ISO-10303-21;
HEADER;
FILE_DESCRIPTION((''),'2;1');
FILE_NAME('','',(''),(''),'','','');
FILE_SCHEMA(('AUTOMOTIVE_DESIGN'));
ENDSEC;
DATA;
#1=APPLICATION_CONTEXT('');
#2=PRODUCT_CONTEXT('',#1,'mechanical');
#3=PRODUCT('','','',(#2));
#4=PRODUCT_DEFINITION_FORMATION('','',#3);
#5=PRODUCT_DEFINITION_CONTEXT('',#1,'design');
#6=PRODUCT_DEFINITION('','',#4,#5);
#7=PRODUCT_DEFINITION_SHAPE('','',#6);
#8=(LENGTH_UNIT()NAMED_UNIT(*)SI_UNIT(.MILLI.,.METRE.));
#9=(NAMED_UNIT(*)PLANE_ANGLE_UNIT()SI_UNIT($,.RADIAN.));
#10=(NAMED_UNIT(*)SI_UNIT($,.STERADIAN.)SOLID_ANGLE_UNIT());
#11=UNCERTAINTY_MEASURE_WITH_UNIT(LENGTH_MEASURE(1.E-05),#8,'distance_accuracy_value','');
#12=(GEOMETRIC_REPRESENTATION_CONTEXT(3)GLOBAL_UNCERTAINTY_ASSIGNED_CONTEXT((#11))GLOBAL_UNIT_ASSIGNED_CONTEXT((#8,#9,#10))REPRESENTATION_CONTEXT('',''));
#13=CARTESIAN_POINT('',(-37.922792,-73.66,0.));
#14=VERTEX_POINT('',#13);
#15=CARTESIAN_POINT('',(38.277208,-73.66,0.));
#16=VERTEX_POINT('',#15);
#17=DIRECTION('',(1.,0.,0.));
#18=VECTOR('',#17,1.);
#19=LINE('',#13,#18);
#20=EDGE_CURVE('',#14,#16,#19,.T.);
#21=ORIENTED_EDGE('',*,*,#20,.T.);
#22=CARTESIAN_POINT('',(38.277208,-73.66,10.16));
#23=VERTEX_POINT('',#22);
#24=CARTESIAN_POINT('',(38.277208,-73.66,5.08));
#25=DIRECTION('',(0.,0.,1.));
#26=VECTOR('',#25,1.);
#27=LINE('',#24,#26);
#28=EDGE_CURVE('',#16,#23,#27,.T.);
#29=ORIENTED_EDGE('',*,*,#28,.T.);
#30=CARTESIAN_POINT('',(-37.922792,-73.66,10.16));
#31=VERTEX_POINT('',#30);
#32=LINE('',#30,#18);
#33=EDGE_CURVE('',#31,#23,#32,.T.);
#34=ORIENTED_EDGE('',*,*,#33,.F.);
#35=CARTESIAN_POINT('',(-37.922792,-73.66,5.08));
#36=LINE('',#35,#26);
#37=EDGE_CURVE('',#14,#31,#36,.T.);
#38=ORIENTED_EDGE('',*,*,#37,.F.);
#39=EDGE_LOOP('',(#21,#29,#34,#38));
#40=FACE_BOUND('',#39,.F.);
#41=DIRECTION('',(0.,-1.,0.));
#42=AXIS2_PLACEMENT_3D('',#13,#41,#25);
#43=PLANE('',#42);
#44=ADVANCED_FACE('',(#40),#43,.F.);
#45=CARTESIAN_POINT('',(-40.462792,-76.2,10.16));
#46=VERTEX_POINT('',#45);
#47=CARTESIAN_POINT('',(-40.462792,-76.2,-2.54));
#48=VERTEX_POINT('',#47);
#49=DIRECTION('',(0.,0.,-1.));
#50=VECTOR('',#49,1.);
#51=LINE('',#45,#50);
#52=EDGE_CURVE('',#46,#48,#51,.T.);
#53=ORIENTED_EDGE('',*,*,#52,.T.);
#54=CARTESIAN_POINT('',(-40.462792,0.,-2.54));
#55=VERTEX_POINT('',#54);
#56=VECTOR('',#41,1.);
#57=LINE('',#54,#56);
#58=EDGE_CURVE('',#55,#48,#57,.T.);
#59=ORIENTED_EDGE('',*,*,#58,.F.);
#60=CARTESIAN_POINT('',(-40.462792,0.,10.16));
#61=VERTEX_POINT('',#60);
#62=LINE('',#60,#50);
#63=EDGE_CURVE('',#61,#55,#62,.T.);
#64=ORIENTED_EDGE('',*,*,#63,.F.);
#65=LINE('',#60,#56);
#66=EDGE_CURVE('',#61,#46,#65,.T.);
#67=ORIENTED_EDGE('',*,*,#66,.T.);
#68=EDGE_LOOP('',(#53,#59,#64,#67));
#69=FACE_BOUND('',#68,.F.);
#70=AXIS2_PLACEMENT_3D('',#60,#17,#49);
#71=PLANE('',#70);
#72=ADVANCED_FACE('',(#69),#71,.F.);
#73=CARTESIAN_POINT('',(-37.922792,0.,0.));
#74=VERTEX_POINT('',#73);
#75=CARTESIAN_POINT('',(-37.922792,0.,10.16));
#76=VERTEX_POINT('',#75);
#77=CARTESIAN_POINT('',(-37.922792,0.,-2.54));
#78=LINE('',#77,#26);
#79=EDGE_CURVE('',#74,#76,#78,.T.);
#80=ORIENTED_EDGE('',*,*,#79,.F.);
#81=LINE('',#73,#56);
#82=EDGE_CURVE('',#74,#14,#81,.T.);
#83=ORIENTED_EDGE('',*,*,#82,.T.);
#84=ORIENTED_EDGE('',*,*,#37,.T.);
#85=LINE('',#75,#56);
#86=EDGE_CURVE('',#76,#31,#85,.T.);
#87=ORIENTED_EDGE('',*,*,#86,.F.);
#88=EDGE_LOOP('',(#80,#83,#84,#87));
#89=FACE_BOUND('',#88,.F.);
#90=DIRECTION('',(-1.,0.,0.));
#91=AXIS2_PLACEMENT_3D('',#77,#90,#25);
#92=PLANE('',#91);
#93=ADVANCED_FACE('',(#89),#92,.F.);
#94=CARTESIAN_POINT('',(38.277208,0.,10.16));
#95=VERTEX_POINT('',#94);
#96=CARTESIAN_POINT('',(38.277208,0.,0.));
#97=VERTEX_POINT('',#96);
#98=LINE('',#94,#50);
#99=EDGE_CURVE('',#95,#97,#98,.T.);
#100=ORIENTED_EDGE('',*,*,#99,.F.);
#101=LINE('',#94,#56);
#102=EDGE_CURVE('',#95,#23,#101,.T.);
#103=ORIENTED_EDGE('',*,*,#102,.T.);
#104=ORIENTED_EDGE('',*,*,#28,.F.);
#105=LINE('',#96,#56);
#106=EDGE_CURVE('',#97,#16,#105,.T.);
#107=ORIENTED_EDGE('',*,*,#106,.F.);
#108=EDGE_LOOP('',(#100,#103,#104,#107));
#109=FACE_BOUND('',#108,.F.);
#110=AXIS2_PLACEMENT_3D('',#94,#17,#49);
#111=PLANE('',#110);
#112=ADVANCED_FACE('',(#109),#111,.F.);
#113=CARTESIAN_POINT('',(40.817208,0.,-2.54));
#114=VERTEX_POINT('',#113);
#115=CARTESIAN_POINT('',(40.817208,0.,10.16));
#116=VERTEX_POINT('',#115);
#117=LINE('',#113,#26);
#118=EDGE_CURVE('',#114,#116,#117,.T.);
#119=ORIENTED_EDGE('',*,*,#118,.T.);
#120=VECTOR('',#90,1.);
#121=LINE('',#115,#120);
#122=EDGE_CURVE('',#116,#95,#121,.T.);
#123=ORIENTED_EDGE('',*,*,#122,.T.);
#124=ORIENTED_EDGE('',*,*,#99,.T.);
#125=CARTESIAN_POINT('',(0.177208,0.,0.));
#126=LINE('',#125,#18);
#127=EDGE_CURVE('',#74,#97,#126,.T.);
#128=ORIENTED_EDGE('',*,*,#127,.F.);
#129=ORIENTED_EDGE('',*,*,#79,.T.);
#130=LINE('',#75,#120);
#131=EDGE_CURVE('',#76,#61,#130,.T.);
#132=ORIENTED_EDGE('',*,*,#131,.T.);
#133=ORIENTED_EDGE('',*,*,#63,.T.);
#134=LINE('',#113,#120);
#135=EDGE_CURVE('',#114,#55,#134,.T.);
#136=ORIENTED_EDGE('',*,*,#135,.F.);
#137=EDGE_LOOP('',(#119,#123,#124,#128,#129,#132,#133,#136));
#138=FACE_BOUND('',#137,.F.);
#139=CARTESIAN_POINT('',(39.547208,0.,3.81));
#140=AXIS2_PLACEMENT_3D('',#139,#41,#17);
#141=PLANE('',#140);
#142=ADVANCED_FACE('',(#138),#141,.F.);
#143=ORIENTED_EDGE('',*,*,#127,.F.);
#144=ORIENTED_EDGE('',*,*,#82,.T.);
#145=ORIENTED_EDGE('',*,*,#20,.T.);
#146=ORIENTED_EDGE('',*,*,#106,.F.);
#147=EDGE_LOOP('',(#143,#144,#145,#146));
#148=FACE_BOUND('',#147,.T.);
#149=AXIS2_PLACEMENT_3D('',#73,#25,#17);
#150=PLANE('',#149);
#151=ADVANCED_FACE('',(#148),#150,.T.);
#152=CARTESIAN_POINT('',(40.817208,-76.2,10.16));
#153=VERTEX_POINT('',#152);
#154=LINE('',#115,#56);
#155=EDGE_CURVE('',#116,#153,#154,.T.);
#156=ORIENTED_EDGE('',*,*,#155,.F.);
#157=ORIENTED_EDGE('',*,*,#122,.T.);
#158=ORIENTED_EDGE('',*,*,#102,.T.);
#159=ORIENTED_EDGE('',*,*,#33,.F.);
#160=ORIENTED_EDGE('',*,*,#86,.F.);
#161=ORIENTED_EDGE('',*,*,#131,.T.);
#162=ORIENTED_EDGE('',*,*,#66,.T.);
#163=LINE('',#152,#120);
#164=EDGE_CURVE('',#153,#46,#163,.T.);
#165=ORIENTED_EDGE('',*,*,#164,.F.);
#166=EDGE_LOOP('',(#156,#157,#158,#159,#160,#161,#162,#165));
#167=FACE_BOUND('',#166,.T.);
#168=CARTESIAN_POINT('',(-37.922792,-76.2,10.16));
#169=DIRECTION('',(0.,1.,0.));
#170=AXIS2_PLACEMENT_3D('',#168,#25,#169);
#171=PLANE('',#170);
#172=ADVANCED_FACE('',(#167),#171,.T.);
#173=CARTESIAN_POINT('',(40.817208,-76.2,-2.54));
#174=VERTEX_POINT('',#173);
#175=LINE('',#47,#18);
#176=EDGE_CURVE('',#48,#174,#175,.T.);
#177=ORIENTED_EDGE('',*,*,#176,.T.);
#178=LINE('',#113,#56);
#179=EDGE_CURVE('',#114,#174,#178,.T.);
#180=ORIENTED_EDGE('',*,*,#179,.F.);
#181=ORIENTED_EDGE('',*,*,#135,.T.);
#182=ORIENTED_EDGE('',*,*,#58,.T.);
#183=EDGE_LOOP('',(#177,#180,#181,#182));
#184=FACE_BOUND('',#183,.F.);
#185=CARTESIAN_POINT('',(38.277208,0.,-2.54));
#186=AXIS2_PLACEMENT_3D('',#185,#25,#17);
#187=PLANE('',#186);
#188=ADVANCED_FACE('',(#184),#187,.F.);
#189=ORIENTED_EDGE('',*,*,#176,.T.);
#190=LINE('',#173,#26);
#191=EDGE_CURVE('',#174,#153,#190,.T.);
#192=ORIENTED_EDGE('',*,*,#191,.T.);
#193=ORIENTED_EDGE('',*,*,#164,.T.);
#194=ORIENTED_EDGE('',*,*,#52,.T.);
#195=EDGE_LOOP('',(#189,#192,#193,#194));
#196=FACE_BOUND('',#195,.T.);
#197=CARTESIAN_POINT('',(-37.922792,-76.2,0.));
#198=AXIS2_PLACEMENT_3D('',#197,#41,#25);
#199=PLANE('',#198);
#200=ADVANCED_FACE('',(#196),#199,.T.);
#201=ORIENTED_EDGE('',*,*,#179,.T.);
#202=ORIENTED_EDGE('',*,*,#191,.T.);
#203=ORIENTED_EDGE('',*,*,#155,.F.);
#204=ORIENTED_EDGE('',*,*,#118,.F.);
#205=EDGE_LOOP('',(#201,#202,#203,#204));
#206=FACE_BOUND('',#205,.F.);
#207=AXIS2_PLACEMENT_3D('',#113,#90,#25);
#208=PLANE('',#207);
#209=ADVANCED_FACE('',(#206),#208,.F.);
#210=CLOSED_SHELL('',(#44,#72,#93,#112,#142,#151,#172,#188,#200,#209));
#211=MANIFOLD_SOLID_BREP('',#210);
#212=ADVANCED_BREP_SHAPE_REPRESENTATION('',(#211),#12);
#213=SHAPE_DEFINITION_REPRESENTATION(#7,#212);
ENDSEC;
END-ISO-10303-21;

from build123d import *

# Parameters (mm, degrees)
F0_W     = 76.2
F0_H     = 2.54
F1_DEPTH = 76.2
F2_DEPTH = 76.2
F3_DEPTH = 76.2
F4_W     = 2.54
F4_H     = 10.16
F5_DEPTH = 76.2


with BuildPart() as f1:
    # F0 (on Front) → F1 (new body)
    with BuildSketch(Plane.XZ):
        with Locations((0.177208, -1.27)):
            Rectangle(F0_W, F0_H)
    extrude(amount=F1_DEPTH)

    # F0 (on Front) → F2 (join)
    with BuildSketch(Plane.XZ):
        Polygon((-37.922792, -2.54), (-37.922792, 0), (-37.922792, 10.16), (-40.462792, 10.16), (-40.462792, -2.54), align=None)
    extrude(amount=F2_DEPTH)

    # F0 (on Front) → F3 (join)
    with BuildSketch(Plane.XZ):
        Polygon((38.277208, 10.16), (38.277208, 0), (38.277208, -2.54), (40.817208, -2.54), (40.817208, 10.16), align=None)
    extrude(amount=F3_DEPTH)

    # F4 (on face) → F5 (join)
    with BuildSketch(Plane.YZ.offset(-37.922792)):
        with Locations((-74.93, 5.08)):
            Rectangle(F4_W, F4_H)
    extrude(amount=F5_DEPTH)


solid = f1.part
